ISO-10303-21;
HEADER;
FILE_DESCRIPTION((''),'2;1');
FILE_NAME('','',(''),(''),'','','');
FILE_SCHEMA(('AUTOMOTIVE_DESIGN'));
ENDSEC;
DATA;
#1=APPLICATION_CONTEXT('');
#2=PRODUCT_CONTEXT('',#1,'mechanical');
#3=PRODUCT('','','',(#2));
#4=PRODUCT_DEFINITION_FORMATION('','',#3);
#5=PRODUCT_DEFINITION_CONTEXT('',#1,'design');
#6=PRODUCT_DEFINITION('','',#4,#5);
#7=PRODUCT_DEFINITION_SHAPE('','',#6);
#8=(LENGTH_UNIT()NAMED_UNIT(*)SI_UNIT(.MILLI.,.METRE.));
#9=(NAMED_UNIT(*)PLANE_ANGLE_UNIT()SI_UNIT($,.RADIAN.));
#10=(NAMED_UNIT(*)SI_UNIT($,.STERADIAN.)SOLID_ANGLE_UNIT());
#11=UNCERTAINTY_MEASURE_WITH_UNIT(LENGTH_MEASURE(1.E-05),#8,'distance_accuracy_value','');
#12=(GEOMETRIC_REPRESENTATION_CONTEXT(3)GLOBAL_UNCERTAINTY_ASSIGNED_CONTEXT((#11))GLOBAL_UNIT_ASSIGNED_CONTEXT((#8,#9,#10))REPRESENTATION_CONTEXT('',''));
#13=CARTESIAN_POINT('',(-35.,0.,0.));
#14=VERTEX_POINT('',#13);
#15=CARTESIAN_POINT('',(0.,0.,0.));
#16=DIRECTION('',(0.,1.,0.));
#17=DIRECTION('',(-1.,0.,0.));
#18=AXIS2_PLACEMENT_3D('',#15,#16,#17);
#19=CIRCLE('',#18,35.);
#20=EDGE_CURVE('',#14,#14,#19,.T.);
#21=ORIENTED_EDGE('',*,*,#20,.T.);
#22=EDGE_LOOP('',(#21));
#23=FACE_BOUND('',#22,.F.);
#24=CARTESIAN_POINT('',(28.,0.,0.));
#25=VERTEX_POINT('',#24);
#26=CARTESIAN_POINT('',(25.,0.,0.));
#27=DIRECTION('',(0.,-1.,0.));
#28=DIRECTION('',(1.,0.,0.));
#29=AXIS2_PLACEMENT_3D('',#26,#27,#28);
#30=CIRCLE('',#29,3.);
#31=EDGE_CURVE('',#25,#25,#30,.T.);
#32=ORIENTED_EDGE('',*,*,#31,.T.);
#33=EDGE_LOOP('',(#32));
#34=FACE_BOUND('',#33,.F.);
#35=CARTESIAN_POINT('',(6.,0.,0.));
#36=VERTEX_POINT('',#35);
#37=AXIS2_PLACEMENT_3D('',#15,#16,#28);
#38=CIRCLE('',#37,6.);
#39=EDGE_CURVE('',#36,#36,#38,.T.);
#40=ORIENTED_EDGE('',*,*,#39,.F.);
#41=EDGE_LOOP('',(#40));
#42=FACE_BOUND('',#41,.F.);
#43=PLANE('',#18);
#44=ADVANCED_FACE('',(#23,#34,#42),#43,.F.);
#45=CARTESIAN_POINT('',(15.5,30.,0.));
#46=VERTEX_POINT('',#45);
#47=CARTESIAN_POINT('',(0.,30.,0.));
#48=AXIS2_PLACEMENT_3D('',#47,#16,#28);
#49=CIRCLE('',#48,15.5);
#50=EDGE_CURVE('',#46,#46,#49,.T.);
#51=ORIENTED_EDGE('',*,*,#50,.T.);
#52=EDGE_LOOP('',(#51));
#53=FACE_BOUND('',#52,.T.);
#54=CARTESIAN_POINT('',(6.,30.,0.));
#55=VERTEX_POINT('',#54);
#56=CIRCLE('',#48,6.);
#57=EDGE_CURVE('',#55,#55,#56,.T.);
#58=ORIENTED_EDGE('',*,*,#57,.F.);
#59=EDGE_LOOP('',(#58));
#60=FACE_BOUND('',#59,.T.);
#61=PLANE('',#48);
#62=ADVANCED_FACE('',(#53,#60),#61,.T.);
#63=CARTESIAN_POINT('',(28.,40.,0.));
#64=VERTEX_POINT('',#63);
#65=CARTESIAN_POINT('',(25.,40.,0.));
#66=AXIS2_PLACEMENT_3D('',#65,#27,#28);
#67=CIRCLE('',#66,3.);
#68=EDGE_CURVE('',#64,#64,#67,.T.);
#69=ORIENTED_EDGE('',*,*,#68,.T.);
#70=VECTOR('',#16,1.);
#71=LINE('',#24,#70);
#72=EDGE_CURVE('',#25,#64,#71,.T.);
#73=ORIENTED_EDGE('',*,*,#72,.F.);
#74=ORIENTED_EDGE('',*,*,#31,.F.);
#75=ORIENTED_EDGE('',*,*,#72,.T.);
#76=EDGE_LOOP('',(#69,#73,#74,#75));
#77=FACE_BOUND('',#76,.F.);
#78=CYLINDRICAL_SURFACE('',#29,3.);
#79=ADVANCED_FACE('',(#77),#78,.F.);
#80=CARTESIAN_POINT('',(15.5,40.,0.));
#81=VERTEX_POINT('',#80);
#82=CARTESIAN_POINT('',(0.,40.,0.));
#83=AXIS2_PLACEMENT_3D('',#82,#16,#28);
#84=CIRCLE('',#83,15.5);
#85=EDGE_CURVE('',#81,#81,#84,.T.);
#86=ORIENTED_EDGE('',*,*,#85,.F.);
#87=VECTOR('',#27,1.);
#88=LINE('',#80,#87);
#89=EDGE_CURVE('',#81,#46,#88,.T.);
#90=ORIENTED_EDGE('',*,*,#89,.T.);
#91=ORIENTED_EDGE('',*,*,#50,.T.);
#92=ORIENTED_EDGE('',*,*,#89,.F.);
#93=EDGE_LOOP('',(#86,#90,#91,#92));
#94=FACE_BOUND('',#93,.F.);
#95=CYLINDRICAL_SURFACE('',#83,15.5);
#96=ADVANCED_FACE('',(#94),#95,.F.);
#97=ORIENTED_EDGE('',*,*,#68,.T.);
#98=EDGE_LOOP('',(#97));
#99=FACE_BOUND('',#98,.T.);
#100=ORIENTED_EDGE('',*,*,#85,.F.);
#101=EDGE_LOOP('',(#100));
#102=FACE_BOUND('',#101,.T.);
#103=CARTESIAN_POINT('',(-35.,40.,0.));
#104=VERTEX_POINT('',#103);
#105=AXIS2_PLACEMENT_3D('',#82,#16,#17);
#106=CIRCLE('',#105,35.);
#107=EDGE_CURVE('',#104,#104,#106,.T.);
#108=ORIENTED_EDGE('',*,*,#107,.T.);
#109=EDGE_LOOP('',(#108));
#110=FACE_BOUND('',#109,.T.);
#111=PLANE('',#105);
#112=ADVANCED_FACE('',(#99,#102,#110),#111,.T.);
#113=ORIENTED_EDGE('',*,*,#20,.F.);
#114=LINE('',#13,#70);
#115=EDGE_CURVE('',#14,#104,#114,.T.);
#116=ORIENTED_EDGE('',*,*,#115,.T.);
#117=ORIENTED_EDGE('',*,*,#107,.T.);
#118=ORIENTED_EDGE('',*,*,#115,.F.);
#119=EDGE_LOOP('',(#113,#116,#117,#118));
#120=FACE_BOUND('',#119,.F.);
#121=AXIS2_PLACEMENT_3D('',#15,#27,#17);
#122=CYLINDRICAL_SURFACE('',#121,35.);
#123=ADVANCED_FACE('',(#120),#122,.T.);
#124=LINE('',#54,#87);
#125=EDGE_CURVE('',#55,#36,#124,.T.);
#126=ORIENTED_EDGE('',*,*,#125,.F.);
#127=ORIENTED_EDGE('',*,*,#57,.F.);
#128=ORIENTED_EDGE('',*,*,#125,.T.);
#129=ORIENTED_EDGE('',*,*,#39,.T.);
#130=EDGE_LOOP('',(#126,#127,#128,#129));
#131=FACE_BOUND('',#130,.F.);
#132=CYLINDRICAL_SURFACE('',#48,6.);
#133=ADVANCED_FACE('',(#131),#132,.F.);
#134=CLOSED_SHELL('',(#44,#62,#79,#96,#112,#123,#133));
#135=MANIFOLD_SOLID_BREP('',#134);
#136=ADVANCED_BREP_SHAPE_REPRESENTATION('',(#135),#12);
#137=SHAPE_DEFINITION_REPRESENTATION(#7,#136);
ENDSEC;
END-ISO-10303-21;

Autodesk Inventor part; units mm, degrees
ref_plane "YZ Plane" through (0, 0, 0) normal (1, 0, 0) x (0, 1, 0)
ref_plane "XZ Plane" through (0, 0, 0) normal (0, 1, 0) x (-1, 0, 0)
ref_plane "XY Plane" through (0, 0, 0) normal (0, 0, 1) x (1, 0, 0)
sketch "Sketch1" plane through (0, 0, 0) normal (0, 1, 0) x (-1, 0, 0)
  circle A0 centre (0, 0) radius 35
extrude "Extrusion1" add sketch "Sketch1" along normal blind 40
sketch "Sketch2" plane through (0, 40, 0) normal (0, 1, 0) x (1, 0, 0)
  circle A0 centre (0, 0) radius 15.5
  dimension "d4" = 31
extrude "Extrusion2" cut sketch "Sketch2" against normal blind 10
sketch "Sketch3" plane through (0, 30, 0) normal (0, 1, 0) x (1, 0, 0)
  circle A0 centre (0, 0) radius 6
  dimension "d7" = 12
extrude "Extrusion3" cut sketch "Sketch3" against normal through all
sketch "Sketch4" plane through (0, 0, 0) normal (0, -1, 0) x (1, 0, 0)
  circle A0 centre (25, 0) radius 3
  point P0 (0, 0)
  dimension "d14" = 6
extrude "Extrusion4" cut sketch "Sketch4" against normal through all
properties part number "Engine"
